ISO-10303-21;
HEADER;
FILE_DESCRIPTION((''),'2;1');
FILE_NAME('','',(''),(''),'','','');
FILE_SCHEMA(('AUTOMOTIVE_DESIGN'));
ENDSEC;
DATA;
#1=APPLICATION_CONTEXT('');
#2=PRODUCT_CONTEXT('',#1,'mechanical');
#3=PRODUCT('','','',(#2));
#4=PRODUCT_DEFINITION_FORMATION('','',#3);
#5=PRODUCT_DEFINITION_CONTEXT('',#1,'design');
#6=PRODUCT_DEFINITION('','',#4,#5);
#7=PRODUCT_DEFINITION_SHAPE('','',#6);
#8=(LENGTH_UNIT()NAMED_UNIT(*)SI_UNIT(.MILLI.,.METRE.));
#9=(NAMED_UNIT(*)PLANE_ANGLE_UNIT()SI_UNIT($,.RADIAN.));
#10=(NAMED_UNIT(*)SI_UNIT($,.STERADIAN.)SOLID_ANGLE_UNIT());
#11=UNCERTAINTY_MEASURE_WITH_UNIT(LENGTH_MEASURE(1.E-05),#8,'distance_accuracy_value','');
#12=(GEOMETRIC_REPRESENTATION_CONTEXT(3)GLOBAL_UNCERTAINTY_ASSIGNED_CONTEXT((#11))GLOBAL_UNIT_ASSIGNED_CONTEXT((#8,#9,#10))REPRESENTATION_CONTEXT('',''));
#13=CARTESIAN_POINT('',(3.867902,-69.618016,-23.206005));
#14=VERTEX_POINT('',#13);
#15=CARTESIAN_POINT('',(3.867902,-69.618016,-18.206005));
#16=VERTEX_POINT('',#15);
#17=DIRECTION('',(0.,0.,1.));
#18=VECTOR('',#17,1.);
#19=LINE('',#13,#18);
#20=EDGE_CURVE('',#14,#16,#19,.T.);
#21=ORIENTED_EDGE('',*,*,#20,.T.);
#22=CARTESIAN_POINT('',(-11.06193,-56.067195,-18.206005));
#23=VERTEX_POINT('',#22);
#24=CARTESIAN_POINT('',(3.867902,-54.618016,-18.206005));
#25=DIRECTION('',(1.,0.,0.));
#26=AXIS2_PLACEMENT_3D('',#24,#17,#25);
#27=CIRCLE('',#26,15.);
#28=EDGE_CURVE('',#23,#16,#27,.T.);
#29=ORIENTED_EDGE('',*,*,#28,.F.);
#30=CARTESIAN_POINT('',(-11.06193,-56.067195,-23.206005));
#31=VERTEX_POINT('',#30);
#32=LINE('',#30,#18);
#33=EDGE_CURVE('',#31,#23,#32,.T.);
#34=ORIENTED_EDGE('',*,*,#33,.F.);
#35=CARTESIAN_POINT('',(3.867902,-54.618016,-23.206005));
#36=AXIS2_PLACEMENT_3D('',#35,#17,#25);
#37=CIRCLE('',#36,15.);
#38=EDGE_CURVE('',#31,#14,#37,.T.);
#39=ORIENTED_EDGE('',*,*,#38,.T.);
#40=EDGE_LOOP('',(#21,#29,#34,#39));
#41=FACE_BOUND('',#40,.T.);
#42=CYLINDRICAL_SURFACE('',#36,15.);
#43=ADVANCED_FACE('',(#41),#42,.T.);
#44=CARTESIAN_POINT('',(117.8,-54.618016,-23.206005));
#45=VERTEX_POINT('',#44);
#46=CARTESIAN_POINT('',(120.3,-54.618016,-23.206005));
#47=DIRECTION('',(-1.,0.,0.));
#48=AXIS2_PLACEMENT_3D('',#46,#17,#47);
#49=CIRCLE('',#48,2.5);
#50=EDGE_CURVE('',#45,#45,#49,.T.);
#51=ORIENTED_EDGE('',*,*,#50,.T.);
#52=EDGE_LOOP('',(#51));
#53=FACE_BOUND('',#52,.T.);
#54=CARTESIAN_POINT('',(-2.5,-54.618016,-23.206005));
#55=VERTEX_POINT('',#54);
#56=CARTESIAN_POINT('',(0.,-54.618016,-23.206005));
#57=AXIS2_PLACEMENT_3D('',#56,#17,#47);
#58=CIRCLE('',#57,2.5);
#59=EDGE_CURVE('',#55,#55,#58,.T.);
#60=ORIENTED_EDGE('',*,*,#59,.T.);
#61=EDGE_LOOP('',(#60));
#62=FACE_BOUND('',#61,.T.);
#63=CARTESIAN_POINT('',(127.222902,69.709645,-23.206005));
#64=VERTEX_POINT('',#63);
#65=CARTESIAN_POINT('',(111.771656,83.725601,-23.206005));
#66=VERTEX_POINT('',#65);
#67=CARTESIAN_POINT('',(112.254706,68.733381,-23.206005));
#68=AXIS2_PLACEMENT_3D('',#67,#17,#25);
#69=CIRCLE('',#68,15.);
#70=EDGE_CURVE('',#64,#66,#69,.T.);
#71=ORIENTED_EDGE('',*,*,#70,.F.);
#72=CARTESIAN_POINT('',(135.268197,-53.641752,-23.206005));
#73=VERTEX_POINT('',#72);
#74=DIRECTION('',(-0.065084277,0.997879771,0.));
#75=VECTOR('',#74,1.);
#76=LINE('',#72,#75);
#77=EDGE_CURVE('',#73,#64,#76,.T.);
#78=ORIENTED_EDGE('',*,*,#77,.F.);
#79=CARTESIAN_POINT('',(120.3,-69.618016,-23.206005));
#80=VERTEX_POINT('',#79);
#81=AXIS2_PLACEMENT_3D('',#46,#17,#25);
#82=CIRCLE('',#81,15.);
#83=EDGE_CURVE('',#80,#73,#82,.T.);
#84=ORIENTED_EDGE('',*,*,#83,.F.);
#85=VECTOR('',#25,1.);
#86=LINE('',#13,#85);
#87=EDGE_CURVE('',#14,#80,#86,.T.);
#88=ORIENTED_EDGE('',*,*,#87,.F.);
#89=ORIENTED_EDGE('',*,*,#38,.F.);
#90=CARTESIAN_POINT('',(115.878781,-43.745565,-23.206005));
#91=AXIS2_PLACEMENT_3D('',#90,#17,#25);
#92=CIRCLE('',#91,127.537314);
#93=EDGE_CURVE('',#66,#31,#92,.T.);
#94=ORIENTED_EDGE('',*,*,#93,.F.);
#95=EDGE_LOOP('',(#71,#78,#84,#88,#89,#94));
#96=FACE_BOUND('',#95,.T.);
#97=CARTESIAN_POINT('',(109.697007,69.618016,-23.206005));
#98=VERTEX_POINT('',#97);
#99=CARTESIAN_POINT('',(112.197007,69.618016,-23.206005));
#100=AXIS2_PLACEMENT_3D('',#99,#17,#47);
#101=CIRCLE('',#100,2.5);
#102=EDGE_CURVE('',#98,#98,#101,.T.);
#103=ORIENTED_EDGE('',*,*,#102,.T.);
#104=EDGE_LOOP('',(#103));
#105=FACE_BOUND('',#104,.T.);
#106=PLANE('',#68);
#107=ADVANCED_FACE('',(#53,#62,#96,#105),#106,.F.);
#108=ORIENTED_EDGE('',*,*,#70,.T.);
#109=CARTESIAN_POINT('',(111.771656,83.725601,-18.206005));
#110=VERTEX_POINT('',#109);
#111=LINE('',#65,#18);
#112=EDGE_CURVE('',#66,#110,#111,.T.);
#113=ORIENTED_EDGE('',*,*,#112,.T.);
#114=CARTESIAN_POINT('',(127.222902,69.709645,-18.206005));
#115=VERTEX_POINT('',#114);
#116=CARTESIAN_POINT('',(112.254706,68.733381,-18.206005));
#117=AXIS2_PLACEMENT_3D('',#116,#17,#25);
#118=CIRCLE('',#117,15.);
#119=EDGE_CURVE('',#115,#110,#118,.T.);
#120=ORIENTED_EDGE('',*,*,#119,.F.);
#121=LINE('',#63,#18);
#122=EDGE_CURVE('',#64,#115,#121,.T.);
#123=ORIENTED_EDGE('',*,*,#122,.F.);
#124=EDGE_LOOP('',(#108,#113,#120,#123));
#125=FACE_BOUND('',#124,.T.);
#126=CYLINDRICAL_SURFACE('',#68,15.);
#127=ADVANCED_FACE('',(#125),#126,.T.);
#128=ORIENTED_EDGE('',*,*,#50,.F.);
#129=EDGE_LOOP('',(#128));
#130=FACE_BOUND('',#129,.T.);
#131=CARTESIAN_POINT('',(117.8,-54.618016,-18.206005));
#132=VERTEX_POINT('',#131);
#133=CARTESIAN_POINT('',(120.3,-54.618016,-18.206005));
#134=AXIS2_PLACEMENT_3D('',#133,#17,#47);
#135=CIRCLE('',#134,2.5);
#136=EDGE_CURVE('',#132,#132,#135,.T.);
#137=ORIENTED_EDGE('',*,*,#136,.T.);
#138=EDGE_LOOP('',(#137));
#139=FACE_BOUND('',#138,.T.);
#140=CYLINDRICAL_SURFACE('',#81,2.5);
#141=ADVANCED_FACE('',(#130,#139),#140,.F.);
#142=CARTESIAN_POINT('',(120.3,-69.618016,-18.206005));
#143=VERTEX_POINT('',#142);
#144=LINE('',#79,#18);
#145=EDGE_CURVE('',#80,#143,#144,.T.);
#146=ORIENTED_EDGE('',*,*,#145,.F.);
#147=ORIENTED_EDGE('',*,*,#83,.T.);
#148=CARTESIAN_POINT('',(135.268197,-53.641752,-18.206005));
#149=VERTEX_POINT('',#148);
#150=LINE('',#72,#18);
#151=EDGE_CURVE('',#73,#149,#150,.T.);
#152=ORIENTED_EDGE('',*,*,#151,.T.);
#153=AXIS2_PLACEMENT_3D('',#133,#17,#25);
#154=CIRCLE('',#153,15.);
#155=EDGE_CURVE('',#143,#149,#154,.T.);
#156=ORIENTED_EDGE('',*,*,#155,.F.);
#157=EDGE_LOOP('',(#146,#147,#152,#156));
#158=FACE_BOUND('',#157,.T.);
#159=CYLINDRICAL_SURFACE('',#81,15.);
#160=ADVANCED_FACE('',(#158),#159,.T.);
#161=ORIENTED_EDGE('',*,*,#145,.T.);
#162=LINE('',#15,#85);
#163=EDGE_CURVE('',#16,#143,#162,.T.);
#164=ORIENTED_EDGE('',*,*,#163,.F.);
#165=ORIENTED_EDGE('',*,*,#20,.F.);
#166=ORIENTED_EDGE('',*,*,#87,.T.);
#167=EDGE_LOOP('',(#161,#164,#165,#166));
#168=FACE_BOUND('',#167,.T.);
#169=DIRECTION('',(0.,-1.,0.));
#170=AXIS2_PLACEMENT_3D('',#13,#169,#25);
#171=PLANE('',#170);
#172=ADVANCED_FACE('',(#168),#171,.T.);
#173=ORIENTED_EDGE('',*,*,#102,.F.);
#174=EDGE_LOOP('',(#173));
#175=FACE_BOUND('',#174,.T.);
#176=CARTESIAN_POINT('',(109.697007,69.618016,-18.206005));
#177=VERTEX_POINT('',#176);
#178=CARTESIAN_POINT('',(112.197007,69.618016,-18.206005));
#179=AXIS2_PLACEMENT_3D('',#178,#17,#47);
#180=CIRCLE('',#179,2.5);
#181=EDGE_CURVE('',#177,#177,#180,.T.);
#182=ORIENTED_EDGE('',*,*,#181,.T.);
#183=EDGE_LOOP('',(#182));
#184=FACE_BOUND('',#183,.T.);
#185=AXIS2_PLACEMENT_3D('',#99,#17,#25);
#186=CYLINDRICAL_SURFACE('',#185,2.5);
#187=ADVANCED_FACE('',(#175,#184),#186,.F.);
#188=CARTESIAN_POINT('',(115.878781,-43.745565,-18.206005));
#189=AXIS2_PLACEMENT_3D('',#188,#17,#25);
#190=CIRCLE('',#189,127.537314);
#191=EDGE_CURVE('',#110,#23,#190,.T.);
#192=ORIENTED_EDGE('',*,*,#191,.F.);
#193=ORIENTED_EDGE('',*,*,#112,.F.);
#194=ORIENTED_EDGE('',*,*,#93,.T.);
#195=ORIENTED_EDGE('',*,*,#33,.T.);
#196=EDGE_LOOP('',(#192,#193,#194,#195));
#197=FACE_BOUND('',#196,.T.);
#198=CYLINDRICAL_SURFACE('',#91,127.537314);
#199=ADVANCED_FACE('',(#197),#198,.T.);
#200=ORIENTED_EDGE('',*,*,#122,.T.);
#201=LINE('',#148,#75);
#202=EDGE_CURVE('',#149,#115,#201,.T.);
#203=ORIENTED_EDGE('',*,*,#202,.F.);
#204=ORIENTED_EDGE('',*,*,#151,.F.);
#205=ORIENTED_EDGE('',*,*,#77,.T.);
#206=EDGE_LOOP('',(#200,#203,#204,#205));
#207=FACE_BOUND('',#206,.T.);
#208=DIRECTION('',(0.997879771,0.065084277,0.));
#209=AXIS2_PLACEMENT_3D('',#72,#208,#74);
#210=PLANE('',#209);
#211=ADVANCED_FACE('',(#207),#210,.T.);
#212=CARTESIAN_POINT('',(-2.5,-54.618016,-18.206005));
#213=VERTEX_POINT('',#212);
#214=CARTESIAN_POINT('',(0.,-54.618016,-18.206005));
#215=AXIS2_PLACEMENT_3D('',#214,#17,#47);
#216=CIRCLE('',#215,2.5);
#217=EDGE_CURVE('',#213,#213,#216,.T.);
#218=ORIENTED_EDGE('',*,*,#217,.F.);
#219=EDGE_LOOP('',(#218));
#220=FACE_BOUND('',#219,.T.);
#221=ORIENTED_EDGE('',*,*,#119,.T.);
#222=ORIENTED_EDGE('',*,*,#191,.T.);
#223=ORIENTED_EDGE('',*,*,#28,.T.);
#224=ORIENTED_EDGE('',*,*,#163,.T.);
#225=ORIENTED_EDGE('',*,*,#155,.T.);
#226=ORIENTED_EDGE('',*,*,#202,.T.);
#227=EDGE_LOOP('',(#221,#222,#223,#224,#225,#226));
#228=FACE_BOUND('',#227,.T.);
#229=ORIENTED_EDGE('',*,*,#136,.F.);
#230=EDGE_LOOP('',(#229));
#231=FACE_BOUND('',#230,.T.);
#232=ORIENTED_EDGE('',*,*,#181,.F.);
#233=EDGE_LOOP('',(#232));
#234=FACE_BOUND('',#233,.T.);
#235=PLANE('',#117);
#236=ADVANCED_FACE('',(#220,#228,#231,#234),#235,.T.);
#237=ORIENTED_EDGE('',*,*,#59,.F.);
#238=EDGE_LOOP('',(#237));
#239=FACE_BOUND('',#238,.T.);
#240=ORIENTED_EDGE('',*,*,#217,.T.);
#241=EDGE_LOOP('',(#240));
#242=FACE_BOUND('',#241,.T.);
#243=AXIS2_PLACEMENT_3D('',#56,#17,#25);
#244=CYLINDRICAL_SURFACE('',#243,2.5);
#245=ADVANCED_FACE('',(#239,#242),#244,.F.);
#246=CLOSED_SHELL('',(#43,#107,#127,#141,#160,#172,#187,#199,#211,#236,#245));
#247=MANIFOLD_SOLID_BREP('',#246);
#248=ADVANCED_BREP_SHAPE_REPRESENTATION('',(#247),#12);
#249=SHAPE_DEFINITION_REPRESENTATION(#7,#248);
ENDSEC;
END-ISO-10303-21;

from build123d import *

# Parameters (mm, degrees)
SKETCH_1_R      = 2.5
EXTRUDE_1_DEPTH = 5


with BuildPart() as part:
    # 草图1 → 凸台-拉伸1 (new body)
    with BuildSketch(Plane.XY.offset(-18.206005243)):
        with BuildLine():
            Line((3.867902109, -69.618015729), (120.299999998, -69.618015729))
            ThreePointArc((120.299999998, -69.618015729), (131.246322711, -64.87364925), (135.268196544, -53.641751587))
            Line((135.268196544, -53.641751587), (127.222902207, 69.709644702))
            ThreePointArc((127.222902207, 69.709644702), (122.332732456, 79.843437948), (111.771655863, 83.725600612))
            ThreePointArc((111.771655863, 83.725600612), (20.072255788, 40.438021966), (-11.06192974, -56.06719515))
            ThreePointArc((-11.06192974, -56.06719515), (-6.21332571, -65.725168634), (3.867902109, -69.618015729))
        make_face()
        with Locations(Location((120.299999998, -54.618015744, 0), (0, 0, 180))):
            Circle(SKETCH_1_R, mode=Mode.SUBTRACT)
        with Locations(Location((112.197007482, 69.618015729, 0), (0, 0, 180))):
            Circle(SKETCH_1_R, mode=Mode.SUBTRACT)
        with Locations(Location((0, -54.618015729, 0), (0, 0, 180))):
            Circle(SKETCH_1_R, mode=Mode.SUBTRACT)
    extrude(amount=-EXTRUDE_1_DEPTH)


solid = part.part
